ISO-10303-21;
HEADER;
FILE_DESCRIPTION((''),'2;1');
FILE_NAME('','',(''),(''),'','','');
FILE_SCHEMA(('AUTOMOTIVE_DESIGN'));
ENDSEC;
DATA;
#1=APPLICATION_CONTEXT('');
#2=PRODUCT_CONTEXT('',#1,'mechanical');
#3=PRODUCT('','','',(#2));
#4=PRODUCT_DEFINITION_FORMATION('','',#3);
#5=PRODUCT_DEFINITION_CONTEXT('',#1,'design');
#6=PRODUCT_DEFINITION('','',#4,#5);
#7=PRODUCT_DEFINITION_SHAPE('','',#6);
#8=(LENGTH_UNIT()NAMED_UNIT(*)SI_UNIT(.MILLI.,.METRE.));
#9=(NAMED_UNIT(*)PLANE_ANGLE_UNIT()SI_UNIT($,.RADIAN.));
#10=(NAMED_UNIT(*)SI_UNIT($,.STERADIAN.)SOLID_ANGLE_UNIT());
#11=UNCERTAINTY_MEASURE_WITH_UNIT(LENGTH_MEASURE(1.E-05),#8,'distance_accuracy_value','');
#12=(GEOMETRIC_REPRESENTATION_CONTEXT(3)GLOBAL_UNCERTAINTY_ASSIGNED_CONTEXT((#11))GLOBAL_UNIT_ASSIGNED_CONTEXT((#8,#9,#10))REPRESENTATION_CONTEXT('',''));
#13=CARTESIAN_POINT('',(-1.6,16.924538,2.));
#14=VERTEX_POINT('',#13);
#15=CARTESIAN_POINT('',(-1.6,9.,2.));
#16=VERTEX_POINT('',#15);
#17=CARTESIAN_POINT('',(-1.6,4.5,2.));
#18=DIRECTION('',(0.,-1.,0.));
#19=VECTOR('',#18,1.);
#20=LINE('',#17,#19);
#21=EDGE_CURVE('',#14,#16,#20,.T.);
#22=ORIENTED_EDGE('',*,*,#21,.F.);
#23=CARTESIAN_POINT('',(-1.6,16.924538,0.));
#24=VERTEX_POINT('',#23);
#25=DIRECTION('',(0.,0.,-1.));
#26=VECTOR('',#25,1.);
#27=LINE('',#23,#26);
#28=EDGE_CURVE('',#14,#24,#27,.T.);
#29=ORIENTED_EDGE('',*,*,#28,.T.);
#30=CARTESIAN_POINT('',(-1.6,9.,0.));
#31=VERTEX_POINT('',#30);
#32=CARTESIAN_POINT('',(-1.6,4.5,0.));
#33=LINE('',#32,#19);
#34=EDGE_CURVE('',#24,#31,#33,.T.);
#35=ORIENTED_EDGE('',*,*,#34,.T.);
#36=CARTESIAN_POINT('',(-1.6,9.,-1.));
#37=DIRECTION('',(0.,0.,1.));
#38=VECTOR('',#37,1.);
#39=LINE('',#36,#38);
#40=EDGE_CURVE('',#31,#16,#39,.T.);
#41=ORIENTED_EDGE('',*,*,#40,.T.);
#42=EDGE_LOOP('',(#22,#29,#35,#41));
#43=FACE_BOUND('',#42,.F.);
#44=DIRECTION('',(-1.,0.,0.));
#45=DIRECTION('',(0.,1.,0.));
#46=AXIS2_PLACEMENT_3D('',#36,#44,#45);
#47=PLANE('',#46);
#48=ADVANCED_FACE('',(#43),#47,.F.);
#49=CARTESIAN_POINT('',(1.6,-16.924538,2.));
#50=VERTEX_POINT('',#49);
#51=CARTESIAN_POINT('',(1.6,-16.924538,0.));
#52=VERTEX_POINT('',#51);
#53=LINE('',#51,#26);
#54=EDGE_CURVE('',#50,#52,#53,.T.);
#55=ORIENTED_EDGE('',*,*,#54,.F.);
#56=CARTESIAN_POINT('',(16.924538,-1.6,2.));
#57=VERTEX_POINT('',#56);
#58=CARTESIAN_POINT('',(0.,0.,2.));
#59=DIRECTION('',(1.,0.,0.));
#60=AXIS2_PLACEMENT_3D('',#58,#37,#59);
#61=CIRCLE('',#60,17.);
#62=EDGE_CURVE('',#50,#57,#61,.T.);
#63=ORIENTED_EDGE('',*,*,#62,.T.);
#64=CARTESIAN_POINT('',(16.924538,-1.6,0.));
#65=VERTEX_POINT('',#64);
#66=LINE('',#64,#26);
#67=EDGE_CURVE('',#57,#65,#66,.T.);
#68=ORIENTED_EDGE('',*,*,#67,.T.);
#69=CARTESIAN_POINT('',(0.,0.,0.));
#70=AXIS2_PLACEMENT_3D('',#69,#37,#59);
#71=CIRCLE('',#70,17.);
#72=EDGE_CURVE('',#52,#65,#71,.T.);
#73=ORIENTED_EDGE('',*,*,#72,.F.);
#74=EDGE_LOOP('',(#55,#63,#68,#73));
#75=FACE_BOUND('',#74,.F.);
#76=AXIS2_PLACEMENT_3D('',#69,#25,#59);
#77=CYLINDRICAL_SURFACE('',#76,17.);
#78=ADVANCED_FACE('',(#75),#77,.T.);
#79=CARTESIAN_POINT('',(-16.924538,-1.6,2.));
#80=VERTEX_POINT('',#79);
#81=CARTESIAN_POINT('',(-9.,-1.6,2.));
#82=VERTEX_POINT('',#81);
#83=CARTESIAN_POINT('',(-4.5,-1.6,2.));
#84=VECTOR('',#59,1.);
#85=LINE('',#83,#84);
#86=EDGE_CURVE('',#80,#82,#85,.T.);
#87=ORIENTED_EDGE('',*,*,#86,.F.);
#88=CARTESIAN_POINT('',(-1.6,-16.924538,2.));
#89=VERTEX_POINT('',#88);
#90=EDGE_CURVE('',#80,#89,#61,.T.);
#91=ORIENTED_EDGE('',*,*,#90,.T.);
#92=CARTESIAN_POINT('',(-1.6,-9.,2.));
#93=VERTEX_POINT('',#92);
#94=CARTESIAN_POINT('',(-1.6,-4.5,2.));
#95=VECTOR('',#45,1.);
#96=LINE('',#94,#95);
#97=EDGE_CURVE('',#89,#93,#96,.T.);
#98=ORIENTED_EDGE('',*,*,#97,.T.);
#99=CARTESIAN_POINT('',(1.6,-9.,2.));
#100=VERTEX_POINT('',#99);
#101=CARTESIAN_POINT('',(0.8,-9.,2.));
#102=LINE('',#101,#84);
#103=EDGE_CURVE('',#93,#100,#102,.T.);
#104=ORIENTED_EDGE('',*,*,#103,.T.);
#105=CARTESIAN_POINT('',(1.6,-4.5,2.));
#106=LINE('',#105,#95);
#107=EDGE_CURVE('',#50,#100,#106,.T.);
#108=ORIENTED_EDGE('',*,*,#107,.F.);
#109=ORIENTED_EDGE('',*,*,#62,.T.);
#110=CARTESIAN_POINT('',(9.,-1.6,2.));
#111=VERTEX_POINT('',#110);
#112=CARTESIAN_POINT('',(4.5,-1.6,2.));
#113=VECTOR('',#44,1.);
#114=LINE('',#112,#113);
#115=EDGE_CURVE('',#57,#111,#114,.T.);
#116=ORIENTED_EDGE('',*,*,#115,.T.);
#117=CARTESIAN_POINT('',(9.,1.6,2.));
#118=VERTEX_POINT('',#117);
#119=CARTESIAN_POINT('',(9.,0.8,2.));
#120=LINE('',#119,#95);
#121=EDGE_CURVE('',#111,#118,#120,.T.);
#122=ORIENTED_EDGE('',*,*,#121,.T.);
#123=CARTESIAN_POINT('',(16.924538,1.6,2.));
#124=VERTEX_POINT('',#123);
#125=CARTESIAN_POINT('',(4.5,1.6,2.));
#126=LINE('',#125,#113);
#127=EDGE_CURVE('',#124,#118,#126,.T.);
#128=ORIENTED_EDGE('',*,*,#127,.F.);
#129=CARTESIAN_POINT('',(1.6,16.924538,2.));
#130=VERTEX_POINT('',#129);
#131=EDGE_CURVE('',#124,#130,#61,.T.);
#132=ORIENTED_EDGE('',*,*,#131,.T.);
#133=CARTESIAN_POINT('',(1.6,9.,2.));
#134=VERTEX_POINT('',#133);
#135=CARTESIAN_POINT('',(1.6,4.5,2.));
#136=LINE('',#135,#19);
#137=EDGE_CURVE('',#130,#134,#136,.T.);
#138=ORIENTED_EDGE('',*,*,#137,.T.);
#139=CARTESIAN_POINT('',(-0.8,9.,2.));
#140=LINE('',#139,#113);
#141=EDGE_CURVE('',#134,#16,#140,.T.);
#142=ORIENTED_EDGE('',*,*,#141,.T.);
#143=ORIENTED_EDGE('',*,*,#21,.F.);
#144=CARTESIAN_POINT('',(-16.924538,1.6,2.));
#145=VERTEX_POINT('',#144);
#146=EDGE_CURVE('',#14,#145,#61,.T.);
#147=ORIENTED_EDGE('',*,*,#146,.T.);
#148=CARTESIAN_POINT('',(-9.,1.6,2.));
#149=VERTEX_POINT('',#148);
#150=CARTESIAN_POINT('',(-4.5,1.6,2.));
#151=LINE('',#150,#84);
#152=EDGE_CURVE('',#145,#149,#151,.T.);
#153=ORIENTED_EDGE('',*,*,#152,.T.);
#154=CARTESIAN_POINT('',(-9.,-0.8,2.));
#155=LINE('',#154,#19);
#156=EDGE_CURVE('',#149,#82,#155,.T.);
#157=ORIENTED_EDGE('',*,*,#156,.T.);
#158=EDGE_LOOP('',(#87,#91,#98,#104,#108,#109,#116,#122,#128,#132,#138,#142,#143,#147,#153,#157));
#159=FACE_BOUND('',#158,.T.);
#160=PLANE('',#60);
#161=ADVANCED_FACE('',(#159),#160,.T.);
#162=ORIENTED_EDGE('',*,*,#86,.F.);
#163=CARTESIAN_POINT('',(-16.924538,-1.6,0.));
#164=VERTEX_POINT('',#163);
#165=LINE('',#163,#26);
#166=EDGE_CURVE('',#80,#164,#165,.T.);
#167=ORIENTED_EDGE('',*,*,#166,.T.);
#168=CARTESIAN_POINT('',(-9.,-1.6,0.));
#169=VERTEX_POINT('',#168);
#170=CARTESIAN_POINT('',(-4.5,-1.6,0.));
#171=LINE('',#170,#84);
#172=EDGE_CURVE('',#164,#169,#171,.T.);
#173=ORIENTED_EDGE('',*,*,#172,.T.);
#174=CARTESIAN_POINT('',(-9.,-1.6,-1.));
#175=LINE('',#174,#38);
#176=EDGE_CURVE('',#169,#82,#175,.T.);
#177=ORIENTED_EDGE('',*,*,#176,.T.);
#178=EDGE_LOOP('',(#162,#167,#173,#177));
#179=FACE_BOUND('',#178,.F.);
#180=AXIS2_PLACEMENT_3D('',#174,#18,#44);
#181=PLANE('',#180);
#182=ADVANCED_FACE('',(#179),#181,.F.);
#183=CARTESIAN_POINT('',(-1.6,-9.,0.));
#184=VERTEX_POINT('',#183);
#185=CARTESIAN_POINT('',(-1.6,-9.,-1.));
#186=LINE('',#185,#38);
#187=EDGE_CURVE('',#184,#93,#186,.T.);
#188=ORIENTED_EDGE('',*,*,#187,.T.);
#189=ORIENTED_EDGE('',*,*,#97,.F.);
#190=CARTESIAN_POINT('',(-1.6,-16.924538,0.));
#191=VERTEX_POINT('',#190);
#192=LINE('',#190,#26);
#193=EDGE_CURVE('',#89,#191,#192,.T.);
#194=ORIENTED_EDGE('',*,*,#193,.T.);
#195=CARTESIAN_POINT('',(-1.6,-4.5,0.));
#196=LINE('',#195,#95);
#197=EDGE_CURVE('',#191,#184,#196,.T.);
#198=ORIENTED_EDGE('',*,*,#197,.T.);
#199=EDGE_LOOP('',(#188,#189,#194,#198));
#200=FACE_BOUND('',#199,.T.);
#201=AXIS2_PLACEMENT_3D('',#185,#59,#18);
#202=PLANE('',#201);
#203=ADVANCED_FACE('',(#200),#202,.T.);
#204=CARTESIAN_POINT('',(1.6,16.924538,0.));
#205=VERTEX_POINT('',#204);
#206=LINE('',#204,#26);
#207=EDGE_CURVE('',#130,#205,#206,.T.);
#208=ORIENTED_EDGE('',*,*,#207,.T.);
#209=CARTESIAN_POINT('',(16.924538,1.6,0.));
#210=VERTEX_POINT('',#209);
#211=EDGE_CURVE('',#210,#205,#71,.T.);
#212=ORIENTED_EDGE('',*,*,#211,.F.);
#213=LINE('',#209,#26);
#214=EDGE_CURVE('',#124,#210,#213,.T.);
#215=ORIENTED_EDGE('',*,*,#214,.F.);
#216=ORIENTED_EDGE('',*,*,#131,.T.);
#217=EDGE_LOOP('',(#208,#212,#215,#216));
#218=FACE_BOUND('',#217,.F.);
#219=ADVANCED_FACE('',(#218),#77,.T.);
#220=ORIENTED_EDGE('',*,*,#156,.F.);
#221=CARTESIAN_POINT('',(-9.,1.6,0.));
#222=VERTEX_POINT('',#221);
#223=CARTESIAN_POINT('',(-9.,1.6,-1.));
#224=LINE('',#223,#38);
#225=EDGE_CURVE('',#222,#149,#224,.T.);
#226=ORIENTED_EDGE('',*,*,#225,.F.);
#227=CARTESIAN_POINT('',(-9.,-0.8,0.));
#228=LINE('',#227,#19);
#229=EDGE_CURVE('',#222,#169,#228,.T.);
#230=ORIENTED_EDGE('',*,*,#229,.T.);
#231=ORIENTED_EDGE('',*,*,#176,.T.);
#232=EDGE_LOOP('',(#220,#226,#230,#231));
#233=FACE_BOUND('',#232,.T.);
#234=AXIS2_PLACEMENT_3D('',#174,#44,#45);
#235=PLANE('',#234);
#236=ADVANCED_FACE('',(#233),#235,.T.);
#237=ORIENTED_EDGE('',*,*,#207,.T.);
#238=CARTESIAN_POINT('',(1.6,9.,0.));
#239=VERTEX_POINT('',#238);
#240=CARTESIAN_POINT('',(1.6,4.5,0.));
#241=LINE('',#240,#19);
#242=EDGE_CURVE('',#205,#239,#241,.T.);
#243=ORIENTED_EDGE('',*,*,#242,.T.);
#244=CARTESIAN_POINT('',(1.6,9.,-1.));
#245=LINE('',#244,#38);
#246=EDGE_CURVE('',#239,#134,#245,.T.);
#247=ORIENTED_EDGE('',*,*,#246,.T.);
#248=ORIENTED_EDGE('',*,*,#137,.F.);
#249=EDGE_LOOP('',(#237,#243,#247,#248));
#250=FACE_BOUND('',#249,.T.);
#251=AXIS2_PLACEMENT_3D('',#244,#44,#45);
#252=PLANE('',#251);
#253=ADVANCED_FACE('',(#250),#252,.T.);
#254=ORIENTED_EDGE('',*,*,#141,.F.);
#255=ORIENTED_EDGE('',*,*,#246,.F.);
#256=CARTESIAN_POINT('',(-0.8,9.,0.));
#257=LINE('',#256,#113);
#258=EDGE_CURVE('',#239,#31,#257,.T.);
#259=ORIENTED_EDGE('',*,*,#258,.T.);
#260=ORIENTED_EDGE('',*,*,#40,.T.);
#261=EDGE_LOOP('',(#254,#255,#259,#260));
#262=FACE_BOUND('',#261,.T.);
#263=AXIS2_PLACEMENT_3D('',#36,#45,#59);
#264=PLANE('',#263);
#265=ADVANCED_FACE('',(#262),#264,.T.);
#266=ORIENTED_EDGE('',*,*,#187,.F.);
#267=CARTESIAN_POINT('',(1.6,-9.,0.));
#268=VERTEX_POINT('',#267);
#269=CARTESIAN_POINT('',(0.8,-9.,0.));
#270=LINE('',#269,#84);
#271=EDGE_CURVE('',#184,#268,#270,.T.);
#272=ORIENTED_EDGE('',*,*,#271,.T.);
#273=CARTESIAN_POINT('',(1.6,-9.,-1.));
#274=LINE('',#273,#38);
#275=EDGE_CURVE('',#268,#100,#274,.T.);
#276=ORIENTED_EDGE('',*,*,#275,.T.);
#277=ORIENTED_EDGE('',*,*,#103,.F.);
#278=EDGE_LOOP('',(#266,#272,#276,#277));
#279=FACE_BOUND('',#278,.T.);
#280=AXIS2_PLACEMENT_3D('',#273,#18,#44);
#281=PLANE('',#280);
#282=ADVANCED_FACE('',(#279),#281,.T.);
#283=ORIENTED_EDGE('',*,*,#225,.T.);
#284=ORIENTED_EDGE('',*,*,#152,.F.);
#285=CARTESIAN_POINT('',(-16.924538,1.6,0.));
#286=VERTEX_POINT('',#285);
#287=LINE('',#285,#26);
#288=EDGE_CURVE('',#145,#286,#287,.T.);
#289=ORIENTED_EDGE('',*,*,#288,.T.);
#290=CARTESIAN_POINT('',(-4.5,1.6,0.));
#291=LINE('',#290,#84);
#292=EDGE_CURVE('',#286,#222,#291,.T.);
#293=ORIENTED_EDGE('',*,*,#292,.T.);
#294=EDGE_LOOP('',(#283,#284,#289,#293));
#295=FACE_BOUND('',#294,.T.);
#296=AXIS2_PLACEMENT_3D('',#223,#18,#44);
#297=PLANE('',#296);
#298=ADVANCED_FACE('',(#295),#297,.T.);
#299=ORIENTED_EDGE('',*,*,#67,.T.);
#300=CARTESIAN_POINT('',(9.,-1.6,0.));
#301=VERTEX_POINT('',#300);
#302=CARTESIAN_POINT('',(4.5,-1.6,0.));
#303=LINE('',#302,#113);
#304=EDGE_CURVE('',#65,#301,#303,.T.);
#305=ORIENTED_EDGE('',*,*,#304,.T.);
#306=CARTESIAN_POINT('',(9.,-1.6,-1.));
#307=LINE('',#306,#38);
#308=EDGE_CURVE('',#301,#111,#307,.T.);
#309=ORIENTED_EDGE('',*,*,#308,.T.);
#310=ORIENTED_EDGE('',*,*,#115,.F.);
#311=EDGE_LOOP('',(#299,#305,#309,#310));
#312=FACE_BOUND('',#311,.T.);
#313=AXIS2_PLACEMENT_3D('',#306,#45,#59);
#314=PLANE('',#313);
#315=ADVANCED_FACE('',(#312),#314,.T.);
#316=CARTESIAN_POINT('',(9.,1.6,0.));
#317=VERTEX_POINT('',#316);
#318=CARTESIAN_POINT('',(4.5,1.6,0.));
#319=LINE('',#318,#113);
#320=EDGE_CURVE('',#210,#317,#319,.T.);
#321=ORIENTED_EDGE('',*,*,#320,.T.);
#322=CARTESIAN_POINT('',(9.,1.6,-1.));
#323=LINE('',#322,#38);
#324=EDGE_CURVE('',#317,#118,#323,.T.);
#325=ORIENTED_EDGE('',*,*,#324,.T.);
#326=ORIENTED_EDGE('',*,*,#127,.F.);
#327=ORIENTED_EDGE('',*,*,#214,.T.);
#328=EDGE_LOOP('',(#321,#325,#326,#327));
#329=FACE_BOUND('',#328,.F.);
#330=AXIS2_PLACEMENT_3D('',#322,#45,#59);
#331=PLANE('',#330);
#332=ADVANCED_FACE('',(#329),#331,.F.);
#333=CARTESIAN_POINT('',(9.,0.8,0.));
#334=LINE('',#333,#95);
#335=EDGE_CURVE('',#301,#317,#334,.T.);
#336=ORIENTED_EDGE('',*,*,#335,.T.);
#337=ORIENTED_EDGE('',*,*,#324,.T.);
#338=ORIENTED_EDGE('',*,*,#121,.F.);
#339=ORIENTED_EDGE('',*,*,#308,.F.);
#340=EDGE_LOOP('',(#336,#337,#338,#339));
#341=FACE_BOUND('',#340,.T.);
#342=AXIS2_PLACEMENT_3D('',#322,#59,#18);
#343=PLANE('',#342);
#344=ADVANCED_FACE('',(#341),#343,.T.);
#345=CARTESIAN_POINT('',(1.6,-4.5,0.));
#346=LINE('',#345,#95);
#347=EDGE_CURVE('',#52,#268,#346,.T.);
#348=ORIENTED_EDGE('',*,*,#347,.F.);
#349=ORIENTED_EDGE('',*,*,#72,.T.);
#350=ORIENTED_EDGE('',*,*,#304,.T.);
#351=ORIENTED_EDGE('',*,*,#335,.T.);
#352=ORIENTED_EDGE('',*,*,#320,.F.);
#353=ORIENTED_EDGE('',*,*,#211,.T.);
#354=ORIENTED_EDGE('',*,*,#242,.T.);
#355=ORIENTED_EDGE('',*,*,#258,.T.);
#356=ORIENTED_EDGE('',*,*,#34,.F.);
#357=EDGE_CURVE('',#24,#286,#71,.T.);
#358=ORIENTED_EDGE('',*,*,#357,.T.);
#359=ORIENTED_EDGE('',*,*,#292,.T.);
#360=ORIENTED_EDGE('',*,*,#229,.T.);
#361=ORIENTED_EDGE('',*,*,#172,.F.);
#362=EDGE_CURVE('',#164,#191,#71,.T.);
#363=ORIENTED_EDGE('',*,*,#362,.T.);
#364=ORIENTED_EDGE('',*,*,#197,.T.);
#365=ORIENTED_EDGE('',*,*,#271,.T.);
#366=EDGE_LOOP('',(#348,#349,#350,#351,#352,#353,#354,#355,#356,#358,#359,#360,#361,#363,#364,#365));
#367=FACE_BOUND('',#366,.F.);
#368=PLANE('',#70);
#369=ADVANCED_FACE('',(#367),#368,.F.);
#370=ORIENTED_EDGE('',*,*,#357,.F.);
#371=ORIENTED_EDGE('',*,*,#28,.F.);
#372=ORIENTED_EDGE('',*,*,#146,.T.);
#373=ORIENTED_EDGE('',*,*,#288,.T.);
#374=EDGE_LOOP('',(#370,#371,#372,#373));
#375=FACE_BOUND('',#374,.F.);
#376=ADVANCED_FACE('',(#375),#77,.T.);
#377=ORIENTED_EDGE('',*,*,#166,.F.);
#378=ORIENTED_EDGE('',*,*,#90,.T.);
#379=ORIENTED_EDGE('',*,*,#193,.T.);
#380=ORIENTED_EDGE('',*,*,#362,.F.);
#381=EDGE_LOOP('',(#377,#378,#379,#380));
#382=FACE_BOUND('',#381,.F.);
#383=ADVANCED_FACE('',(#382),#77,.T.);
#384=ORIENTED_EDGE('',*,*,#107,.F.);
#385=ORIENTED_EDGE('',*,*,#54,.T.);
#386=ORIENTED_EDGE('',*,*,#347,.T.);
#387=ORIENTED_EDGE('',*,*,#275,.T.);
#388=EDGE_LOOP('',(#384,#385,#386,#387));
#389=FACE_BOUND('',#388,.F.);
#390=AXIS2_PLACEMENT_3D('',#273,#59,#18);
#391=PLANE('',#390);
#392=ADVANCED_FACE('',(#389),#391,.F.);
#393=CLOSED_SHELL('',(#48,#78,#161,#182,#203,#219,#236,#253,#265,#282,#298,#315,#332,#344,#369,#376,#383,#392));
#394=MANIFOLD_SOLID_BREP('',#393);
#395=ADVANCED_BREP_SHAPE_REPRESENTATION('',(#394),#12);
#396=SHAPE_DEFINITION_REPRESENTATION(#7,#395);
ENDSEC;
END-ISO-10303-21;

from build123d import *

# Parameters (mm, degrees)
BOX_W          = 3.2
BOX_H          = 10
BOX_DEPTH      = 4
ARRAY_COUNT    = 4
CYLINDER_R     = 17
CYLINDER_DEPTH = 2


with BuildPart() as array:
    # Box → Box (new body)
    with BuildSketch(Plane(origin=(-1.6, 9, -1), x_dir=(1, 0, 0), z_dir=(0, 0, 1))):
        with Locations((1.6, 5)):
            Rectangle(BOX_W, BOX_H)
    extrude(amount=BOX_DEPTH)

    # Array: Array ×4 about axis
    array_axis = Axis((0, 0, 0), (0, 0, 1))


with BuildPart() as array_1:
    add(array.part)
    for i in range(1, ARRAY_COUNT):
        add(array.part.rotate(array_axis, i * 360 / ARRAY_COUNT))


with BuildPart() as cut:
    # Cylinder → Cylinder (new body)
    with BuildSketch(Plane.XY):
        Circle(CYLINDER_R)
    extrude(amount=CYLINDER_DEPTH)

    # Cut: cut Array
    add(array_1.part, mode=Mode.SUBTRACT)


solid = cut.part
